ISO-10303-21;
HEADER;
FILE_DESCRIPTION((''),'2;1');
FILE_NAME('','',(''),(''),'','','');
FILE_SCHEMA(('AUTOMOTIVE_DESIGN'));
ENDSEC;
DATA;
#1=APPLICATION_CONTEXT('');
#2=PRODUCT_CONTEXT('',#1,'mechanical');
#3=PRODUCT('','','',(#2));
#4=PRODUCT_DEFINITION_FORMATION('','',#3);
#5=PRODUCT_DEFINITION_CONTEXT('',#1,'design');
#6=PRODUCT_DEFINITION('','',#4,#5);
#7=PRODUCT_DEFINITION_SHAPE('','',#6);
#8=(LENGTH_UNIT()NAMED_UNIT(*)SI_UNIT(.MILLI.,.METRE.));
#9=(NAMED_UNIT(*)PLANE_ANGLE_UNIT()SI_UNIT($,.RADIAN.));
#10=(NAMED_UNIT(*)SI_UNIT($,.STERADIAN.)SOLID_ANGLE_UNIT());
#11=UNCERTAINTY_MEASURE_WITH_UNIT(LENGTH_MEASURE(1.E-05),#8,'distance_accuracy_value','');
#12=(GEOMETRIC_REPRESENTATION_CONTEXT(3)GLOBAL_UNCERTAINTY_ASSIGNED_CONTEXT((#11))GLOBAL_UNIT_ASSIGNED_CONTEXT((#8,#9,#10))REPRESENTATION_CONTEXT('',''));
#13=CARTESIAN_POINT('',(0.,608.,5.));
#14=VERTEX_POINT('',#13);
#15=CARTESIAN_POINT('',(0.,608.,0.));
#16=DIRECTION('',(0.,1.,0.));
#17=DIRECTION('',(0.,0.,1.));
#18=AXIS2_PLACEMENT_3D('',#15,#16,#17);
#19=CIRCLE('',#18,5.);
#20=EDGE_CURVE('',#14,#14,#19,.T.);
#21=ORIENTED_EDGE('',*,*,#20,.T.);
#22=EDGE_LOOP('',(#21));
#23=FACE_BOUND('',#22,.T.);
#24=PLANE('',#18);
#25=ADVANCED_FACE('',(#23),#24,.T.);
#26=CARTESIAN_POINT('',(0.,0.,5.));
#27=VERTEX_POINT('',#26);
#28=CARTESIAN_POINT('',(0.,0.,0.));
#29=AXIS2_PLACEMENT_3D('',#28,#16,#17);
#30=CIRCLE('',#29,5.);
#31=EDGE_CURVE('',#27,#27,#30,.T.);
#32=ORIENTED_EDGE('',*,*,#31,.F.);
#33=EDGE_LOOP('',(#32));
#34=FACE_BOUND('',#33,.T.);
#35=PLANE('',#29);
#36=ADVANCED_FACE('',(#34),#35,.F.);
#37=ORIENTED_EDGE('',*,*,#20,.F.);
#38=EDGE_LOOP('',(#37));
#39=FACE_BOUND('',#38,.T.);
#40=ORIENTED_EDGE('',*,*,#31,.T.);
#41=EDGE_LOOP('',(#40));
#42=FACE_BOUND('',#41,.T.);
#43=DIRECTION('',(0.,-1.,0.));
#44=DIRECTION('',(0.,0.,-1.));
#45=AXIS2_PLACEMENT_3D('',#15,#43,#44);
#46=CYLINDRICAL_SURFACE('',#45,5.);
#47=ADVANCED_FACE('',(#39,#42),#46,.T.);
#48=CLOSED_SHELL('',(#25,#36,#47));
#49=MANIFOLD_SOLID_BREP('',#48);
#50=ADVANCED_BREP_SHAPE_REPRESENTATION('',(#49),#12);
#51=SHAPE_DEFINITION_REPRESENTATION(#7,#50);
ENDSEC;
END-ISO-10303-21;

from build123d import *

# Parameters (mm, degrees)
SKETCH_1_R      = 5
EXTRUDE_1_DEPTH = 608


with BuildPart() as part:
    # Эскиз1 → Бобышка-Вытянуть1 (new body)
    with BuildSketch(Plane(origin=(0, 0, 0), x_dir=(1, 0, 0), z_dir=(0, 1, 0))):
        Circle(SKETCH_1_R)
    extrude(amount=EXTRUDE_1_DEPTH)


solid = part.part
